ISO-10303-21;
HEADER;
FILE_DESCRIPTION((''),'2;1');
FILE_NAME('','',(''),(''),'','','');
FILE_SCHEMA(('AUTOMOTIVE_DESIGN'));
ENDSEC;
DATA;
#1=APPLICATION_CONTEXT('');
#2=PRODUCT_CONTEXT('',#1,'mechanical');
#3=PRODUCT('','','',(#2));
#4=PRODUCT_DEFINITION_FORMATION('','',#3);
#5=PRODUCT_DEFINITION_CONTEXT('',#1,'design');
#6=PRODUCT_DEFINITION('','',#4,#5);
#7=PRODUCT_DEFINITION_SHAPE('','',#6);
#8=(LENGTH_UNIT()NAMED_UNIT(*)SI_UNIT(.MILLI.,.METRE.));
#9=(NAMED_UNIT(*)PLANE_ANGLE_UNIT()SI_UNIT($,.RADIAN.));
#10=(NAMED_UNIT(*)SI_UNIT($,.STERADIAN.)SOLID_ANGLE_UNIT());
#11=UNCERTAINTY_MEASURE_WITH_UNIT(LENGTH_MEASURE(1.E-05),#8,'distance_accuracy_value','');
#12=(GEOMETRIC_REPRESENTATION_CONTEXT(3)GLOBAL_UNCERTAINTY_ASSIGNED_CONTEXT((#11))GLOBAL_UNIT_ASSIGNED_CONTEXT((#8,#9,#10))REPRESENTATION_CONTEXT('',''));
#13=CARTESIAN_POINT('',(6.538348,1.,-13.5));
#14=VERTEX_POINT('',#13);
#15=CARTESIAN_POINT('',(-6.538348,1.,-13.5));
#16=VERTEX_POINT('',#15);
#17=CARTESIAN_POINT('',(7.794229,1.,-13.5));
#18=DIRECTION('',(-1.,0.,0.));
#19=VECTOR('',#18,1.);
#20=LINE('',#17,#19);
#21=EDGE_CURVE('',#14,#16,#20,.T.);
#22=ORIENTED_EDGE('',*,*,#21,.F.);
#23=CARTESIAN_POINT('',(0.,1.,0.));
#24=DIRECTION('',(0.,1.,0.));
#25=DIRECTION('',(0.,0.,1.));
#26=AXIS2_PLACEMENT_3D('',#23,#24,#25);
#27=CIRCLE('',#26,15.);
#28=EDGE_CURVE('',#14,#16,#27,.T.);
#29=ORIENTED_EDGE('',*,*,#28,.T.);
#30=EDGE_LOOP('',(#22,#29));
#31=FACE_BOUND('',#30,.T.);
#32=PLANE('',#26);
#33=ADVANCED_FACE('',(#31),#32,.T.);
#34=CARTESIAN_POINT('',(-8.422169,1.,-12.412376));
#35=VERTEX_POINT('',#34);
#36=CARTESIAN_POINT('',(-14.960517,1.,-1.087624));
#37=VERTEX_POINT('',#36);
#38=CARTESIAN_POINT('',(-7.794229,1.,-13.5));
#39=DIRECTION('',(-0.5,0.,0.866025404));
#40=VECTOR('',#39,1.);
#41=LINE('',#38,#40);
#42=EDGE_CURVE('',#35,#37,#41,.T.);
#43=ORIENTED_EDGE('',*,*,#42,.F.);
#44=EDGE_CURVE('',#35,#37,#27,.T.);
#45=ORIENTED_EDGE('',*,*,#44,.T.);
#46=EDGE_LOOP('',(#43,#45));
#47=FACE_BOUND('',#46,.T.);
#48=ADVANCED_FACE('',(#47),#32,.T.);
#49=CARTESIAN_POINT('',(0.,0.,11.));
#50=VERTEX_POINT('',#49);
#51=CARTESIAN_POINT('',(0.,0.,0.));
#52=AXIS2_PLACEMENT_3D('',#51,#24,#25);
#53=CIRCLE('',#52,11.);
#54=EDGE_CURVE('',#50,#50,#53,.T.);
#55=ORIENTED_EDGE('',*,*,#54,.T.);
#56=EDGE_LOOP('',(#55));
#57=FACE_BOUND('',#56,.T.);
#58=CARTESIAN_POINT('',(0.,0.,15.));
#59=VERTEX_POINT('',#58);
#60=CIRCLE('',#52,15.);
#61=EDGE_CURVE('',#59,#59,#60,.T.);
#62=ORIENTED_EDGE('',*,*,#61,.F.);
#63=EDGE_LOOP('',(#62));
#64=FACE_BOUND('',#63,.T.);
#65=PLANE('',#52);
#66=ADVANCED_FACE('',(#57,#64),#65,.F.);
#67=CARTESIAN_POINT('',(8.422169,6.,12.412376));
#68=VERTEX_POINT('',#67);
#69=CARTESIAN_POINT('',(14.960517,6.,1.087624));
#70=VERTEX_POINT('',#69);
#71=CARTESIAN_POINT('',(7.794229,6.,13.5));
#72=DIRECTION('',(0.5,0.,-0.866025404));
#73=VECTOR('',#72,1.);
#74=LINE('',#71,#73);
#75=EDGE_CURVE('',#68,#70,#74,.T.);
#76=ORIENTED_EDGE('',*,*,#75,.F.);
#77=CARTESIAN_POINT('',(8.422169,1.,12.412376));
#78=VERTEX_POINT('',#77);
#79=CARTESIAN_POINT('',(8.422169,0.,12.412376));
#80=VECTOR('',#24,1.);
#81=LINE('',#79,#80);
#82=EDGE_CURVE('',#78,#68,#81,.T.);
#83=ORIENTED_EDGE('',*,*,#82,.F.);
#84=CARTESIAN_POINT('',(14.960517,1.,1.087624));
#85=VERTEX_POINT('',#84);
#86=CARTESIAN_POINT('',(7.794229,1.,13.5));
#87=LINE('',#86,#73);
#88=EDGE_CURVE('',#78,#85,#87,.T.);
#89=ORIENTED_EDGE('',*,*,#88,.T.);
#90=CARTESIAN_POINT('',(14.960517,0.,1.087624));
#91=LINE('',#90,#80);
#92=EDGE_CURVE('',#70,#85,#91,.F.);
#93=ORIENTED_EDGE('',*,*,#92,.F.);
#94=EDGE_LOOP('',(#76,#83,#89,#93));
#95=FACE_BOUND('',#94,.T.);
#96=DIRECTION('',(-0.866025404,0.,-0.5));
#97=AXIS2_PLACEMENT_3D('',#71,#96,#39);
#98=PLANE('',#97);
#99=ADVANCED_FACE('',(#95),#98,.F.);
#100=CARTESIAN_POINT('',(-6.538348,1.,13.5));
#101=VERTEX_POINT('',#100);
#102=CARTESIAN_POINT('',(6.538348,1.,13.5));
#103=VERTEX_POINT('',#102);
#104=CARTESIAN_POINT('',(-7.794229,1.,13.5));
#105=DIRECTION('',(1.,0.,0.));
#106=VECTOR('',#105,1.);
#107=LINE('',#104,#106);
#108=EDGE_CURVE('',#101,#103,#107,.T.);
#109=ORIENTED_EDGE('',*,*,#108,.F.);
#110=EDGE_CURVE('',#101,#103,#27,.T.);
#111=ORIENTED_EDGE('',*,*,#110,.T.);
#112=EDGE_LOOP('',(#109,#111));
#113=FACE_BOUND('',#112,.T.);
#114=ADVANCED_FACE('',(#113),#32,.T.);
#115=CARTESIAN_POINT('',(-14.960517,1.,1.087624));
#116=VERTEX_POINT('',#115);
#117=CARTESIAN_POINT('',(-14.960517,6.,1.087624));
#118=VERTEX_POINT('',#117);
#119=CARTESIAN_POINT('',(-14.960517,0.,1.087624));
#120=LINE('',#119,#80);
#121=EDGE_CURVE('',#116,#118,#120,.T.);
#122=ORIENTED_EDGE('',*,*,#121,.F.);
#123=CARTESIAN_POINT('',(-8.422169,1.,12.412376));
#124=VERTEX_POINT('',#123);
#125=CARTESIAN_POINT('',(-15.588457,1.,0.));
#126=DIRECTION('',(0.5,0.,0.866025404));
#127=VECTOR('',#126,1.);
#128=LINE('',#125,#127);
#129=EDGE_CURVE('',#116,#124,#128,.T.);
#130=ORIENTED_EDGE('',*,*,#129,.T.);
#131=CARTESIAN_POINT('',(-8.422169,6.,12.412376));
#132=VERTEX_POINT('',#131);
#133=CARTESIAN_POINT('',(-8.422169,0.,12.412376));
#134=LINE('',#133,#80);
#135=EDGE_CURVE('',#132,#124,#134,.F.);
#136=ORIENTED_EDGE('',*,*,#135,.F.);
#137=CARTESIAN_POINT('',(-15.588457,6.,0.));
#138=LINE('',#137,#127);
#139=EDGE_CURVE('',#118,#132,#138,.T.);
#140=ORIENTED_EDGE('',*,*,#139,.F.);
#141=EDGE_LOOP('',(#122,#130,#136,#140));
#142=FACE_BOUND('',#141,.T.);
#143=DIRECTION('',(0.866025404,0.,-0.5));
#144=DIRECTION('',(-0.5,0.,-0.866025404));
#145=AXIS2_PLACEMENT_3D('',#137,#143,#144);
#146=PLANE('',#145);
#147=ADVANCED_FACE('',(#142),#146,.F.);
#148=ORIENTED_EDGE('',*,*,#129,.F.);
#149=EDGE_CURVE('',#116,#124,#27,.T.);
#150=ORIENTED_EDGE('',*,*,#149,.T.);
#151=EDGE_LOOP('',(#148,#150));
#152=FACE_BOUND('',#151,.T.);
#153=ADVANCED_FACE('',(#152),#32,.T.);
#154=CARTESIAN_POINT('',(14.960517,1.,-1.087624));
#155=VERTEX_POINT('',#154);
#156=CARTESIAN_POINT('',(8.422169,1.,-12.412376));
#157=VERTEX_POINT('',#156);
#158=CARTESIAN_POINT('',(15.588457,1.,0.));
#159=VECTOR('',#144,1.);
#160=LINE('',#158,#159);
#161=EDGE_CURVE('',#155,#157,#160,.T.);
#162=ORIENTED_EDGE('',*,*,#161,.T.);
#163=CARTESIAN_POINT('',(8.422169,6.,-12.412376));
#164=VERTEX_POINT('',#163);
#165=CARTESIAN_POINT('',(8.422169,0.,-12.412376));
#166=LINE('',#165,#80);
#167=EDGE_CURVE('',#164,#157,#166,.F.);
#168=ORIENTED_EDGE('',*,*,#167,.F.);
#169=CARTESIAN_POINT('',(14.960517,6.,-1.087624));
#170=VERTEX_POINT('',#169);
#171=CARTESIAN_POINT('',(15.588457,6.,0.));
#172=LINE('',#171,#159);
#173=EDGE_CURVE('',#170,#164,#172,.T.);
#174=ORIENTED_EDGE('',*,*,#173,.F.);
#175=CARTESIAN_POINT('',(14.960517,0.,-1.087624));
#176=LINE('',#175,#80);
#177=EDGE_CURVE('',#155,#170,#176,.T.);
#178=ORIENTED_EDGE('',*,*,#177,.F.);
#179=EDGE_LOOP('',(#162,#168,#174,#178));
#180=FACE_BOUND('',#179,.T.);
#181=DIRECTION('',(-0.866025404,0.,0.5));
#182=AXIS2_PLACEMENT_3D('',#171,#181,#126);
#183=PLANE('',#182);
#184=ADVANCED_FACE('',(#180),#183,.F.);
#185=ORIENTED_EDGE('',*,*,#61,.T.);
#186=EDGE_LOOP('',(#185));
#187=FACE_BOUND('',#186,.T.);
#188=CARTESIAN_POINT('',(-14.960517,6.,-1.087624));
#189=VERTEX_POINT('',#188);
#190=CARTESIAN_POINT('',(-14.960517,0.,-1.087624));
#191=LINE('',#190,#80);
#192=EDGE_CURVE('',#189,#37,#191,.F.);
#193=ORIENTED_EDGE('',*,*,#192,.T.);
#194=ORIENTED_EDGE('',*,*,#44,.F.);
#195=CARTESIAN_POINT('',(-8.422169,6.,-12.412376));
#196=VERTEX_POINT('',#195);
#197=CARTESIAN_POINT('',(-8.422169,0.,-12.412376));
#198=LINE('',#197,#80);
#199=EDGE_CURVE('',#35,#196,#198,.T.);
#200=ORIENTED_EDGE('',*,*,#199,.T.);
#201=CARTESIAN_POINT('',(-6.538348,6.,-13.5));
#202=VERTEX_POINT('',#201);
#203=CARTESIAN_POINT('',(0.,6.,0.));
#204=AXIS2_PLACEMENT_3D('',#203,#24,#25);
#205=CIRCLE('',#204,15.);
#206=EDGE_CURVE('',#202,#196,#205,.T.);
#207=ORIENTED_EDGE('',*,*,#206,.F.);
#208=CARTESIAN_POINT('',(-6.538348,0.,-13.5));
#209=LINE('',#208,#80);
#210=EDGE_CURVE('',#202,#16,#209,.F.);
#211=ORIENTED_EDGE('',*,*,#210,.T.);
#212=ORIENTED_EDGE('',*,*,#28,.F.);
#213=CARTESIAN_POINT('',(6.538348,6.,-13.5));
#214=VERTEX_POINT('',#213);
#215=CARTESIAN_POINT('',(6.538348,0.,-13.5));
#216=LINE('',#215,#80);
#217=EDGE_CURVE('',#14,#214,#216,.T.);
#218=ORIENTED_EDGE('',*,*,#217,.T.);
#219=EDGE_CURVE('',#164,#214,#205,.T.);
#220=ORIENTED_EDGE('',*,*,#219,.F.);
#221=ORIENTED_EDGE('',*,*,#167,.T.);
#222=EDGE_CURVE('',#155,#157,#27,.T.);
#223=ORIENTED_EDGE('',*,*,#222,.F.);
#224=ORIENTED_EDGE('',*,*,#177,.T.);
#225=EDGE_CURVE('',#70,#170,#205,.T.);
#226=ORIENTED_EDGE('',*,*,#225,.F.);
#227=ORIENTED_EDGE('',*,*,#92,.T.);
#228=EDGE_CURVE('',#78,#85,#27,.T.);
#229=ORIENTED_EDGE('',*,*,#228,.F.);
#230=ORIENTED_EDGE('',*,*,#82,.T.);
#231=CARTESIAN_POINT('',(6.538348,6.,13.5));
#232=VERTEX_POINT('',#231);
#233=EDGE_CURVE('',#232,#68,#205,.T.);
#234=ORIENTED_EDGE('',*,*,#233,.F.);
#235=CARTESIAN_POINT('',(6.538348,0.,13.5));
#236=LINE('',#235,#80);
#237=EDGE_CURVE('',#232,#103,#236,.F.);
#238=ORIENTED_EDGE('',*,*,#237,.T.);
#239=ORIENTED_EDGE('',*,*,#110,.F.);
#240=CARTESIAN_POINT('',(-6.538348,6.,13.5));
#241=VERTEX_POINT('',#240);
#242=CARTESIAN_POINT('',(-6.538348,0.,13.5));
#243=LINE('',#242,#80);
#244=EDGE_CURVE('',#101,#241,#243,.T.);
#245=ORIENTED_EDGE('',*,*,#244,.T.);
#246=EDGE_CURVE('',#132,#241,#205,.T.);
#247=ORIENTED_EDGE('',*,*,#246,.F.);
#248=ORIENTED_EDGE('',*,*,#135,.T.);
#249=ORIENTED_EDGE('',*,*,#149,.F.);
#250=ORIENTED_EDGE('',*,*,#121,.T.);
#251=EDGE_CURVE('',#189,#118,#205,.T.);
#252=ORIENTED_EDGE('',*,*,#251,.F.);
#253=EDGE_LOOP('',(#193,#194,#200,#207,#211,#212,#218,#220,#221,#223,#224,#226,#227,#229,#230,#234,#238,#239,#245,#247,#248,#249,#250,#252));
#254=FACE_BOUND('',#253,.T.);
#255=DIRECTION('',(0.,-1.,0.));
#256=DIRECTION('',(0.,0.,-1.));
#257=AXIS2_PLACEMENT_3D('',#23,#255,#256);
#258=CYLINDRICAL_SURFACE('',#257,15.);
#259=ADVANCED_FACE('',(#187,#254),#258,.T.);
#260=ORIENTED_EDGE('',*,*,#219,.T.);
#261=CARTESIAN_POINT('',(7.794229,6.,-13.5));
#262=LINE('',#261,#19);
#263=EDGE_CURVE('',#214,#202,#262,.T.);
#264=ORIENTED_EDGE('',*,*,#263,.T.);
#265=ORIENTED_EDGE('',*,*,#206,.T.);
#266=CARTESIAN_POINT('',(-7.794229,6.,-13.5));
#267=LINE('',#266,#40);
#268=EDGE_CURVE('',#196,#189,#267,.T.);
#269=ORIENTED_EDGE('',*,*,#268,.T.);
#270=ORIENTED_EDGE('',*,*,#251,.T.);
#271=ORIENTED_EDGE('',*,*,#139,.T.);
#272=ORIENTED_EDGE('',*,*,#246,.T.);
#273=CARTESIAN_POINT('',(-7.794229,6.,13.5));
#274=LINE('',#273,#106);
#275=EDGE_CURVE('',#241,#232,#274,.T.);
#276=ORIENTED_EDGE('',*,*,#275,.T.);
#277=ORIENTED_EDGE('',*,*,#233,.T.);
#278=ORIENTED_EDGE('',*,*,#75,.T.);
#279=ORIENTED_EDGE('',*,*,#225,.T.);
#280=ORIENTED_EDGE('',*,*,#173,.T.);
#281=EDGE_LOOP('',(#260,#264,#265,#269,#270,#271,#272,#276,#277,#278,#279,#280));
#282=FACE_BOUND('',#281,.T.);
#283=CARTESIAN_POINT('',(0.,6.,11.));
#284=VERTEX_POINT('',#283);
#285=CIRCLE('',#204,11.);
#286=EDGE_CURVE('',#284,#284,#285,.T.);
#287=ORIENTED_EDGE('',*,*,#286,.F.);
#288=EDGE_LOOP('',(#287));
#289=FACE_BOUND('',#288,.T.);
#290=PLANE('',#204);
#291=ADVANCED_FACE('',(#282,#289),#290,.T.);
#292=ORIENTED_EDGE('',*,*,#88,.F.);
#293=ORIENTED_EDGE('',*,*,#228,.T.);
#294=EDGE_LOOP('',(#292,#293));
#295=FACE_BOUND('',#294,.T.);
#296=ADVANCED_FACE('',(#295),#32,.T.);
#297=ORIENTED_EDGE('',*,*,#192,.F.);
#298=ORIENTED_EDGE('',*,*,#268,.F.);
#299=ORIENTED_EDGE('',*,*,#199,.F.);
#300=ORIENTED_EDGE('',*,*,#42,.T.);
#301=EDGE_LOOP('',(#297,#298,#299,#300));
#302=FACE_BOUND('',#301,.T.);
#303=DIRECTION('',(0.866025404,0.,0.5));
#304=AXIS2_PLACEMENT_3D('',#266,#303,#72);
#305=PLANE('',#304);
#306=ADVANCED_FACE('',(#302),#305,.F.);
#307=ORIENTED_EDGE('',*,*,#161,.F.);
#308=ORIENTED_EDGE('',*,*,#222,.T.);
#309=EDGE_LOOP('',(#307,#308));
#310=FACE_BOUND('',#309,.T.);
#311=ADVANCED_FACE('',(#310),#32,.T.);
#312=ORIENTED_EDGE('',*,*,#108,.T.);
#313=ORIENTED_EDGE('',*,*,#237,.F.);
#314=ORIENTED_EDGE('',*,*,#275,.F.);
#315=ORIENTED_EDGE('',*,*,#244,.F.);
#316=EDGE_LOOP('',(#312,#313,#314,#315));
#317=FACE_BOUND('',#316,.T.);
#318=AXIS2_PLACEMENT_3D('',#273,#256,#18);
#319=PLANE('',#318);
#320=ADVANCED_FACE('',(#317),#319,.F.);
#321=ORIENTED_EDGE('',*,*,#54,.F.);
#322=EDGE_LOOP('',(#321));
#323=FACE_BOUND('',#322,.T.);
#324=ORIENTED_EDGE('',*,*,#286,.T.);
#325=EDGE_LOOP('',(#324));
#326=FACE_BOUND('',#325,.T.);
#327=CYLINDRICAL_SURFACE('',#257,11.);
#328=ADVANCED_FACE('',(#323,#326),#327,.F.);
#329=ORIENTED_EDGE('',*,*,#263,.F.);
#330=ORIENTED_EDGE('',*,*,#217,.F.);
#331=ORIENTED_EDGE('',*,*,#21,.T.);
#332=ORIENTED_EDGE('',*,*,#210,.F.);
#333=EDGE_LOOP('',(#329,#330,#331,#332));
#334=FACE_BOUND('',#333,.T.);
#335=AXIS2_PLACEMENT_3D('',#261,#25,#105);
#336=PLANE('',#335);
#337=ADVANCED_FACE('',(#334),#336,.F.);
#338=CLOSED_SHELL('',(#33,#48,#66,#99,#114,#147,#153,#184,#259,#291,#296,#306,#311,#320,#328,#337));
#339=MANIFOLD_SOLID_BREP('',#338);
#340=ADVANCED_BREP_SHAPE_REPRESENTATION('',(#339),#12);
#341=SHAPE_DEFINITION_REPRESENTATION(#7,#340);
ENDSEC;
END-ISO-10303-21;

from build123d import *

# Parameters (mm, degrees)
SKIZZE1_R                       = 15
SKIZZE1_R_2                     = 11
AUFSATZ_LINEAR_AUSTRAGEN1_DEPTH = 1
SKIZZE2_R                       = 11
AUFSATZ_LINEAR_AUSTRAGEN2_DEPTH = 5
SKIZZE3_R                       = 15.588457268
SKIZZE3_R_2                     = 15
SCHNITT_LINEAR_AUSTRAGEN2_DEPTH = 23.449944321


with BuildPart() as part:
    # Skizze1 → Aufsatz-Linear austragen1 (new body)
    with BuildSketch(Plane(origin=(0, 0, 0), x_dir=(1, 0, 0), z_dir=(0, 1, 0))):
        with Locations(Location((0, 0, 0), (0, 0, 270))):
            Circle(SKIZZE1_R)
        with Locations(Location((0, 0, 0), (0, 0, 270))):
            Circle(SKIZZE1_R_2, mode=Mode.SUBTRACT)
    extrude(amount=AUFSATZ_LINEAR_AUSTRAGEN1_DEPTH)

    # Skizze2 → Aufsatz-Linear austragen2 (add)
    with BuildSketch(Plane(origin=(0, 1, 0), x_dir=(1, 0, 0), z_dir=(0, 1, 0))):
        Polygon((15.588457268, 0), (7.794228634, 13.5), (-7.794228634, 13.5), (-15.588457268, 0), (-7.794228634, -13.5), (7.794228634, -13.5), align=None)
        with Locations(Location((0, 0, 0), (0, 0, 270))):
            Circle(SKIZZE2_R, mode=Mode.SUBTRACT)
    extrude(amount=AUFSATZ_LINEAR_AUSTRAGEN2_DEPTH)

    # Skizze3 → Schnitt-Linear austragen2 (cut, through all)
    with BuildSketch(Plane(origin=(0, 6, 0), x_dir=(1, 0, 0), z_dir=(0, 1, 0))):
        Circle(SKIZZE3_R)
        with Locations(Location((0, 0, 0), (0, 0, 115.841932763))):
            Circle(SKIZZE3_R_2, mode=Mode.SUBTRACT)
    extrude(amount=-SCHNITT_LINEAR_AUSTRAGEN2_DEPTH, mode=Mode.SUBTRACT)


solid = part.part
